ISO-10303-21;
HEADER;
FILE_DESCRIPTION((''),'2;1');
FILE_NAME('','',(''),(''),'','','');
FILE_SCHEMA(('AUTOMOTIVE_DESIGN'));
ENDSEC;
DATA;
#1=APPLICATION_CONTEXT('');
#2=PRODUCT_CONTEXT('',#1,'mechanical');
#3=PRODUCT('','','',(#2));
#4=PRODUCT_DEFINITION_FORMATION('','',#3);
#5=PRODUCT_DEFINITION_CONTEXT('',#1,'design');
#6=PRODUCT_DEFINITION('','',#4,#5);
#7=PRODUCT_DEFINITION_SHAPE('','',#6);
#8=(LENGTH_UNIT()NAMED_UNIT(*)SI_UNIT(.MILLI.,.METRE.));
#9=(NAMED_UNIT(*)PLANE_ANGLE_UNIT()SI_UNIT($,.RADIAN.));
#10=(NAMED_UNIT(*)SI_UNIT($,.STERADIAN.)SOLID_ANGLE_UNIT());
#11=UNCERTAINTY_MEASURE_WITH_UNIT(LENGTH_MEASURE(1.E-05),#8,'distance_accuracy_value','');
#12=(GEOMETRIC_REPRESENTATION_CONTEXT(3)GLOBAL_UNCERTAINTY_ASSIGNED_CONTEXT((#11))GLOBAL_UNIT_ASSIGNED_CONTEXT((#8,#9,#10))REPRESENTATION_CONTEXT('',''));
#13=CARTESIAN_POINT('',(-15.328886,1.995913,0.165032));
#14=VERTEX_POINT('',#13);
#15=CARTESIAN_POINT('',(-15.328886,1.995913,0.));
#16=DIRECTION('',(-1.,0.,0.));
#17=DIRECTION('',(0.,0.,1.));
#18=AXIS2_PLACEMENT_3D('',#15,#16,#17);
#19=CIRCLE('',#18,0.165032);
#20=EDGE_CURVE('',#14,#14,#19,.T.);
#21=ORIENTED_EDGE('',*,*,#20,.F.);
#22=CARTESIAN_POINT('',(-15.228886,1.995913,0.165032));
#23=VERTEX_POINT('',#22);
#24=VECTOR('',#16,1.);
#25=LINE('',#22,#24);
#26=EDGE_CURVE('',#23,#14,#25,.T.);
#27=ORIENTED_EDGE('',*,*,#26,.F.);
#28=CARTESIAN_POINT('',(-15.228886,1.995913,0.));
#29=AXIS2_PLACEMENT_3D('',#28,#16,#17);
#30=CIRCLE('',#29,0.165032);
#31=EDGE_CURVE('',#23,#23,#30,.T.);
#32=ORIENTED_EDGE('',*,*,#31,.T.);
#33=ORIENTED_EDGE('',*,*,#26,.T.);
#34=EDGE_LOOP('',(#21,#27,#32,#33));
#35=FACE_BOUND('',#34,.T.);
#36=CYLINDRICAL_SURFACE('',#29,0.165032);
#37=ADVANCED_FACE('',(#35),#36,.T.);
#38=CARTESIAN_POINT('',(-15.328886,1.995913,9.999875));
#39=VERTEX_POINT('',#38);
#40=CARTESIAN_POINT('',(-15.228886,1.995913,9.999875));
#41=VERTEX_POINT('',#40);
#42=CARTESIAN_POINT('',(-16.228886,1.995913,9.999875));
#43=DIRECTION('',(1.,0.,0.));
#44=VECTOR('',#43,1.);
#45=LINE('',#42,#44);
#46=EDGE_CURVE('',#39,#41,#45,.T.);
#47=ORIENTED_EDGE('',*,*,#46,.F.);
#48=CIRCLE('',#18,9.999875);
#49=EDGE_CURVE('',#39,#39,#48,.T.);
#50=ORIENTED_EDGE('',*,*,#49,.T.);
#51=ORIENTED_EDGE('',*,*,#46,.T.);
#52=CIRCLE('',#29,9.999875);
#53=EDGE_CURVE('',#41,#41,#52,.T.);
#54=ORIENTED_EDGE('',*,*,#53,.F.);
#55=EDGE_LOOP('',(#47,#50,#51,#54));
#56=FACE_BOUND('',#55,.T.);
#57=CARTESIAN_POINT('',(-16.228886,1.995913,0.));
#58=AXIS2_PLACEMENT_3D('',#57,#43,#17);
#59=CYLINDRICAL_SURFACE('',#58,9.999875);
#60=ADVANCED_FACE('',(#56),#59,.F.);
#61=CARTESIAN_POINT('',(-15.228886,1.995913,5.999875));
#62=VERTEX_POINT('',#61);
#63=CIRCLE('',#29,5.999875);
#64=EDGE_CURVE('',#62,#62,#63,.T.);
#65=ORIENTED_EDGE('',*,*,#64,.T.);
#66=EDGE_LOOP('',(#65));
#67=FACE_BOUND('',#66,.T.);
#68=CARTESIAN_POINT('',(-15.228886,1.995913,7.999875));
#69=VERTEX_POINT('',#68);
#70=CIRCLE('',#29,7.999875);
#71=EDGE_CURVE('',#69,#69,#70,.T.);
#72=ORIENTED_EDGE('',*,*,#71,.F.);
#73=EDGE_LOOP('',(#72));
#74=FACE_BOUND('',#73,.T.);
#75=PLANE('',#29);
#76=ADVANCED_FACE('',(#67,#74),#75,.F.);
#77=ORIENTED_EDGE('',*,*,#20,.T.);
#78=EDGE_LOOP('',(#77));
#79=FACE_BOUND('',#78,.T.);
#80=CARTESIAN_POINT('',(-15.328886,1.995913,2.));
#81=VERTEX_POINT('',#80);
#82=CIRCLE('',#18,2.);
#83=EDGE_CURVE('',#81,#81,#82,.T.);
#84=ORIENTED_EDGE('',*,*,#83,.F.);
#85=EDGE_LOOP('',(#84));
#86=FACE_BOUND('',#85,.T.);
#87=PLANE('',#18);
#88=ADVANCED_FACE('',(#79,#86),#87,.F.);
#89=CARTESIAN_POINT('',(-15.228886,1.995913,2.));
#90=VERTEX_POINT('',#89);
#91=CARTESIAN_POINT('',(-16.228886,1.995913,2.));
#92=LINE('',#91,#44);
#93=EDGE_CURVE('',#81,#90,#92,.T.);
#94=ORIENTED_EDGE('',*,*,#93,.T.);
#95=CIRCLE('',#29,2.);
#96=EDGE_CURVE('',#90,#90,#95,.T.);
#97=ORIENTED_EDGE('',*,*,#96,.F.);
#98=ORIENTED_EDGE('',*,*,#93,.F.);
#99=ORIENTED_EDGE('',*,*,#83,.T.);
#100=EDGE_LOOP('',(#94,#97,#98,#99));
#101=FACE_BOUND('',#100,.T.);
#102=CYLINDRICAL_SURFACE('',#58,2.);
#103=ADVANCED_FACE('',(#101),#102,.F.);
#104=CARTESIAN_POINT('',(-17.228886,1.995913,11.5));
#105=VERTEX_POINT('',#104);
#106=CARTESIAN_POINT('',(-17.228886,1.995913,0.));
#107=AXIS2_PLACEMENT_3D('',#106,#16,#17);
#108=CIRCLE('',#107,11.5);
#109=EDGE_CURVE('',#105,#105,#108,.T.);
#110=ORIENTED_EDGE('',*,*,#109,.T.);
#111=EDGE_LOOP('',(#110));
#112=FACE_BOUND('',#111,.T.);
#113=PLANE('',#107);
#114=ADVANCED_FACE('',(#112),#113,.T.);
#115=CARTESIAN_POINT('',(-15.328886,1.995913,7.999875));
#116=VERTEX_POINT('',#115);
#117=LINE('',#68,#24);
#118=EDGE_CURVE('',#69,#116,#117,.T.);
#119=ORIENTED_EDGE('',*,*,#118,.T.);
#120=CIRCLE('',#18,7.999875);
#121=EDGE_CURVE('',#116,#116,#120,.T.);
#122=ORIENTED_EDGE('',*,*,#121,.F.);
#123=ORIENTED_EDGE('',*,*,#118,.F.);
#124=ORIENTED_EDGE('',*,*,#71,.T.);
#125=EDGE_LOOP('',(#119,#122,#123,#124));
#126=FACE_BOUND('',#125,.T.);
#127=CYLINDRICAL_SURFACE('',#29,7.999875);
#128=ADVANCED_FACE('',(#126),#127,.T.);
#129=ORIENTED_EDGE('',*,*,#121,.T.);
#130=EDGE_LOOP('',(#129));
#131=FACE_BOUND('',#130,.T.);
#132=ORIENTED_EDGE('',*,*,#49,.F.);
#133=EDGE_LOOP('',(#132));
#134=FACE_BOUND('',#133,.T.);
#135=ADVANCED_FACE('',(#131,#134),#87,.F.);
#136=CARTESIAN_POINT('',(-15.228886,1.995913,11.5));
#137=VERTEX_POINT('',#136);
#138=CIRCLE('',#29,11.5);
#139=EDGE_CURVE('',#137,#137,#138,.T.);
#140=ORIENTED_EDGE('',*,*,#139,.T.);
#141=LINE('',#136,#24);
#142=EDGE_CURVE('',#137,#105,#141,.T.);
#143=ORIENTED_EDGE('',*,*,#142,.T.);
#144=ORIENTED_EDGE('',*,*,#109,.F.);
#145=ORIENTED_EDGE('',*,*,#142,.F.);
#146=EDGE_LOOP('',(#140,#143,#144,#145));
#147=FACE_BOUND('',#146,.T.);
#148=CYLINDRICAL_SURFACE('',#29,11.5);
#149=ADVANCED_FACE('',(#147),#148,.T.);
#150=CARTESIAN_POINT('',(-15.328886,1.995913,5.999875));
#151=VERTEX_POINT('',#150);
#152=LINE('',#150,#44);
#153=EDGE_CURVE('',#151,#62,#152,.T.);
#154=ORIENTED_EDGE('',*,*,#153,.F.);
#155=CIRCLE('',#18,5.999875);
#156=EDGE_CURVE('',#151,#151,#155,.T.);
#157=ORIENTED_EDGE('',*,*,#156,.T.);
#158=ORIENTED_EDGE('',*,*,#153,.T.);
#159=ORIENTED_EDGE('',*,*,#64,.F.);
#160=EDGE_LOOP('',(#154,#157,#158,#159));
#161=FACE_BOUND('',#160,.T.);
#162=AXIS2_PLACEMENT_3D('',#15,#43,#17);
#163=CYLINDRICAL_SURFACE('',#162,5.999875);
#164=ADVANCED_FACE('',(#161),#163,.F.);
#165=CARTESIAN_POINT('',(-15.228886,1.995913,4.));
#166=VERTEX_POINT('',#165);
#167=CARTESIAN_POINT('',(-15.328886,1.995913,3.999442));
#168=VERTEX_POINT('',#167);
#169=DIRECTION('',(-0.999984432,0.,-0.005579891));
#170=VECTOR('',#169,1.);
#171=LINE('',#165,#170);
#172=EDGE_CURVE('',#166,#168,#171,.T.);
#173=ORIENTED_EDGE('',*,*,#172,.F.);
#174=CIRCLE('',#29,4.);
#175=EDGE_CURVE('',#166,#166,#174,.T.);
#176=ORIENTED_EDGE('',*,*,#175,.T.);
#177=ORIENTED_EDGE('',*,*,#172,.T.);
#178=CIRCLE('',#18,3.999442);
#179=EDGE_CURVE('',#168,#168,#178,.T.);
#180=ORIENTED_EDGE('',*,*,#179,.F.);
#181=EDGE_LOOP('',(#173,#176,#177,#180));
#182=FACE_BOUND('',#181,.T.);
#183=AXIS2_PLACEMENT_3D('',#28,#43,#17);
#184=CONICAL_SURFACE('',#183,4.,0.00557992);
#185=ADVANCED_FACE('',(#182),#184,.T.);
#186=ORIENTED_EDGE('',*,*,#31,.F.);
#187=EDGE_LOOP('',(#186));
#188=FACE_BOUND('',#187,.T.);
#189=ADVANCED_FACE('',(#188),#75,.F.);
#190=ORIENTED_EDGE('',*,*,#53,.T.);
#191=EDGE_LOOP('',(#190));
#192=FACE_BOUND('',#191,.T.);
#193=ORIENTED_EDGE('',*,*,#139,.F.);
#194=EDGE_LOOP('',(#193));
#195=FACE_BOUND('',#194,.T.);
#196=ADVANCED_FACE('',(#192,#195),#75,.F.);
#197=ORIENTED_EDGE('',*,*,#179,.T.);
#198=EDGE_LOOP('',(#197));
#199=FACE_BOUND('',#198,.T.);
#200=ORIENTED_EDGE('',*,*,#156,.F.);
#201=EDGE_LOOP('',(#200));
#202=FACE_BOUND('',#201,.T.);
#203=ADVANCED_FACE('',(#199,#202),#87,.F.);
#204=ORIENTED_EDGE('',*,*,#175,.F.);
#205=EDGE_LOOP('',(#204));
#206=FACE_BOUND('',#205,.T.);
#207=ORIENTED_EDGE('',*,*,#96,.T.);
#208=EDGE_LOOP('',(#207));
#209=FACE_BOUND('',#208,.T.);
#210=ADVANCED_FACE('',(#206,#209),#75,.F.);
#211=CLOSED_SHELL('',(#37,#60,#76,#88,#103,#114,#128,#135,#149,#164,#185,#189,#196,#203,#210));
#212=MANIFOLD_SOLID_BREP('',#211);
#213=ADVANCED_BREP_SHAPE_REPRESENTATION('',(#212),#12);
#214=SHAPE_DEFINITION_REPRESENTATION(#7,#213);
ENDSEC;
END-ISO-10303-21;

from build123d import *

# Parameters (mm, degrees)
F0_W     = 0.9
F0_H     = 2.0004334223
F0_H_2   = 1.8349681455
F0_H_3   = 2
F2_ANGLE = -90


with BuildPart() as f1:
    # F0 (on Top) → F1 (revolve)
    with BuildSketch(Plane.XY):
        Polygon((-15.2818961069, 13.4959128886), (-16.2288863212, 13.4959128886), (-16.2288863212, 11.9957883131), (-15.3288863212, 11.9957883131), (-15.2288863212, 11.9957883131), (-15.2288863212, 13.4959128886), align=None)
        Polygon((-16.2288863212, 5.9953548908), (-16.2288863212, 3.9959128886), (-15.3288863212, 3.9959128886), (-15.2288863212, 3.9959128886), (-15.2288863212, 5.9959128886), (-15.3288863212, 5.9953548908), align=None)
        with Locations((-15.7788863212, 6.995571602)):
            Rectangle(F0_W, F0_H)
        with Locations((-15.7788863212, 3.0784288158)):
            Rectangle(F0_W, F0_H_2)
        Polygon((-15.3288863212, 9.9957883131), (-16.2288863212, 9.9957883131), (-16.2288863212, 7.9957883131), (-15.3288863212, 7.9957883131), (-15.2512086494, 7.9957883131), (-15.2288863212, 7.9957883131), (-15.2288863212, 9.9957883131), align=None)
        with Locations((-15.7788863212, 10.9957883131)):
            Rectangle(F0_W, F0_H_3)
        Polygon((-16.2288863212, 13.4959128886), (-17.2288863212, 13.4959128886), (-17.2288863212, 1.9959128886), (-16.2288863212, 1.9959128886), (-16.2288863212, 2.1609447431), (-16.2288863212, 3.9959128886), (-16.2288863212, 5.9953548908), (-16.2288863212, 7.9957883131), (-16.2288863212, 9.9957883131), (-16.2288863212, 11.9957883131), align=None)
        Polygon((-16.2288863212, 2.1609447431), (-16.2288863212, 1.9959128886), (-15.2288863212, 1.9959128886), (-15.2288863212, 2.1609447431), (-15.3288863212, 2.1609447431), align=None)
    revolve(axis=Axis((-24.6414710656, 1.9959128886, 0), (-1, 0, 0)))


with BuildPart() as f1_1:
    # F2: moved
    add(f1.part.rotate(Axis((-11.1051534079, 1.9959128886, 0), (-1, 0, 0)), F2_ANGLE))


solid = f1_1.part
